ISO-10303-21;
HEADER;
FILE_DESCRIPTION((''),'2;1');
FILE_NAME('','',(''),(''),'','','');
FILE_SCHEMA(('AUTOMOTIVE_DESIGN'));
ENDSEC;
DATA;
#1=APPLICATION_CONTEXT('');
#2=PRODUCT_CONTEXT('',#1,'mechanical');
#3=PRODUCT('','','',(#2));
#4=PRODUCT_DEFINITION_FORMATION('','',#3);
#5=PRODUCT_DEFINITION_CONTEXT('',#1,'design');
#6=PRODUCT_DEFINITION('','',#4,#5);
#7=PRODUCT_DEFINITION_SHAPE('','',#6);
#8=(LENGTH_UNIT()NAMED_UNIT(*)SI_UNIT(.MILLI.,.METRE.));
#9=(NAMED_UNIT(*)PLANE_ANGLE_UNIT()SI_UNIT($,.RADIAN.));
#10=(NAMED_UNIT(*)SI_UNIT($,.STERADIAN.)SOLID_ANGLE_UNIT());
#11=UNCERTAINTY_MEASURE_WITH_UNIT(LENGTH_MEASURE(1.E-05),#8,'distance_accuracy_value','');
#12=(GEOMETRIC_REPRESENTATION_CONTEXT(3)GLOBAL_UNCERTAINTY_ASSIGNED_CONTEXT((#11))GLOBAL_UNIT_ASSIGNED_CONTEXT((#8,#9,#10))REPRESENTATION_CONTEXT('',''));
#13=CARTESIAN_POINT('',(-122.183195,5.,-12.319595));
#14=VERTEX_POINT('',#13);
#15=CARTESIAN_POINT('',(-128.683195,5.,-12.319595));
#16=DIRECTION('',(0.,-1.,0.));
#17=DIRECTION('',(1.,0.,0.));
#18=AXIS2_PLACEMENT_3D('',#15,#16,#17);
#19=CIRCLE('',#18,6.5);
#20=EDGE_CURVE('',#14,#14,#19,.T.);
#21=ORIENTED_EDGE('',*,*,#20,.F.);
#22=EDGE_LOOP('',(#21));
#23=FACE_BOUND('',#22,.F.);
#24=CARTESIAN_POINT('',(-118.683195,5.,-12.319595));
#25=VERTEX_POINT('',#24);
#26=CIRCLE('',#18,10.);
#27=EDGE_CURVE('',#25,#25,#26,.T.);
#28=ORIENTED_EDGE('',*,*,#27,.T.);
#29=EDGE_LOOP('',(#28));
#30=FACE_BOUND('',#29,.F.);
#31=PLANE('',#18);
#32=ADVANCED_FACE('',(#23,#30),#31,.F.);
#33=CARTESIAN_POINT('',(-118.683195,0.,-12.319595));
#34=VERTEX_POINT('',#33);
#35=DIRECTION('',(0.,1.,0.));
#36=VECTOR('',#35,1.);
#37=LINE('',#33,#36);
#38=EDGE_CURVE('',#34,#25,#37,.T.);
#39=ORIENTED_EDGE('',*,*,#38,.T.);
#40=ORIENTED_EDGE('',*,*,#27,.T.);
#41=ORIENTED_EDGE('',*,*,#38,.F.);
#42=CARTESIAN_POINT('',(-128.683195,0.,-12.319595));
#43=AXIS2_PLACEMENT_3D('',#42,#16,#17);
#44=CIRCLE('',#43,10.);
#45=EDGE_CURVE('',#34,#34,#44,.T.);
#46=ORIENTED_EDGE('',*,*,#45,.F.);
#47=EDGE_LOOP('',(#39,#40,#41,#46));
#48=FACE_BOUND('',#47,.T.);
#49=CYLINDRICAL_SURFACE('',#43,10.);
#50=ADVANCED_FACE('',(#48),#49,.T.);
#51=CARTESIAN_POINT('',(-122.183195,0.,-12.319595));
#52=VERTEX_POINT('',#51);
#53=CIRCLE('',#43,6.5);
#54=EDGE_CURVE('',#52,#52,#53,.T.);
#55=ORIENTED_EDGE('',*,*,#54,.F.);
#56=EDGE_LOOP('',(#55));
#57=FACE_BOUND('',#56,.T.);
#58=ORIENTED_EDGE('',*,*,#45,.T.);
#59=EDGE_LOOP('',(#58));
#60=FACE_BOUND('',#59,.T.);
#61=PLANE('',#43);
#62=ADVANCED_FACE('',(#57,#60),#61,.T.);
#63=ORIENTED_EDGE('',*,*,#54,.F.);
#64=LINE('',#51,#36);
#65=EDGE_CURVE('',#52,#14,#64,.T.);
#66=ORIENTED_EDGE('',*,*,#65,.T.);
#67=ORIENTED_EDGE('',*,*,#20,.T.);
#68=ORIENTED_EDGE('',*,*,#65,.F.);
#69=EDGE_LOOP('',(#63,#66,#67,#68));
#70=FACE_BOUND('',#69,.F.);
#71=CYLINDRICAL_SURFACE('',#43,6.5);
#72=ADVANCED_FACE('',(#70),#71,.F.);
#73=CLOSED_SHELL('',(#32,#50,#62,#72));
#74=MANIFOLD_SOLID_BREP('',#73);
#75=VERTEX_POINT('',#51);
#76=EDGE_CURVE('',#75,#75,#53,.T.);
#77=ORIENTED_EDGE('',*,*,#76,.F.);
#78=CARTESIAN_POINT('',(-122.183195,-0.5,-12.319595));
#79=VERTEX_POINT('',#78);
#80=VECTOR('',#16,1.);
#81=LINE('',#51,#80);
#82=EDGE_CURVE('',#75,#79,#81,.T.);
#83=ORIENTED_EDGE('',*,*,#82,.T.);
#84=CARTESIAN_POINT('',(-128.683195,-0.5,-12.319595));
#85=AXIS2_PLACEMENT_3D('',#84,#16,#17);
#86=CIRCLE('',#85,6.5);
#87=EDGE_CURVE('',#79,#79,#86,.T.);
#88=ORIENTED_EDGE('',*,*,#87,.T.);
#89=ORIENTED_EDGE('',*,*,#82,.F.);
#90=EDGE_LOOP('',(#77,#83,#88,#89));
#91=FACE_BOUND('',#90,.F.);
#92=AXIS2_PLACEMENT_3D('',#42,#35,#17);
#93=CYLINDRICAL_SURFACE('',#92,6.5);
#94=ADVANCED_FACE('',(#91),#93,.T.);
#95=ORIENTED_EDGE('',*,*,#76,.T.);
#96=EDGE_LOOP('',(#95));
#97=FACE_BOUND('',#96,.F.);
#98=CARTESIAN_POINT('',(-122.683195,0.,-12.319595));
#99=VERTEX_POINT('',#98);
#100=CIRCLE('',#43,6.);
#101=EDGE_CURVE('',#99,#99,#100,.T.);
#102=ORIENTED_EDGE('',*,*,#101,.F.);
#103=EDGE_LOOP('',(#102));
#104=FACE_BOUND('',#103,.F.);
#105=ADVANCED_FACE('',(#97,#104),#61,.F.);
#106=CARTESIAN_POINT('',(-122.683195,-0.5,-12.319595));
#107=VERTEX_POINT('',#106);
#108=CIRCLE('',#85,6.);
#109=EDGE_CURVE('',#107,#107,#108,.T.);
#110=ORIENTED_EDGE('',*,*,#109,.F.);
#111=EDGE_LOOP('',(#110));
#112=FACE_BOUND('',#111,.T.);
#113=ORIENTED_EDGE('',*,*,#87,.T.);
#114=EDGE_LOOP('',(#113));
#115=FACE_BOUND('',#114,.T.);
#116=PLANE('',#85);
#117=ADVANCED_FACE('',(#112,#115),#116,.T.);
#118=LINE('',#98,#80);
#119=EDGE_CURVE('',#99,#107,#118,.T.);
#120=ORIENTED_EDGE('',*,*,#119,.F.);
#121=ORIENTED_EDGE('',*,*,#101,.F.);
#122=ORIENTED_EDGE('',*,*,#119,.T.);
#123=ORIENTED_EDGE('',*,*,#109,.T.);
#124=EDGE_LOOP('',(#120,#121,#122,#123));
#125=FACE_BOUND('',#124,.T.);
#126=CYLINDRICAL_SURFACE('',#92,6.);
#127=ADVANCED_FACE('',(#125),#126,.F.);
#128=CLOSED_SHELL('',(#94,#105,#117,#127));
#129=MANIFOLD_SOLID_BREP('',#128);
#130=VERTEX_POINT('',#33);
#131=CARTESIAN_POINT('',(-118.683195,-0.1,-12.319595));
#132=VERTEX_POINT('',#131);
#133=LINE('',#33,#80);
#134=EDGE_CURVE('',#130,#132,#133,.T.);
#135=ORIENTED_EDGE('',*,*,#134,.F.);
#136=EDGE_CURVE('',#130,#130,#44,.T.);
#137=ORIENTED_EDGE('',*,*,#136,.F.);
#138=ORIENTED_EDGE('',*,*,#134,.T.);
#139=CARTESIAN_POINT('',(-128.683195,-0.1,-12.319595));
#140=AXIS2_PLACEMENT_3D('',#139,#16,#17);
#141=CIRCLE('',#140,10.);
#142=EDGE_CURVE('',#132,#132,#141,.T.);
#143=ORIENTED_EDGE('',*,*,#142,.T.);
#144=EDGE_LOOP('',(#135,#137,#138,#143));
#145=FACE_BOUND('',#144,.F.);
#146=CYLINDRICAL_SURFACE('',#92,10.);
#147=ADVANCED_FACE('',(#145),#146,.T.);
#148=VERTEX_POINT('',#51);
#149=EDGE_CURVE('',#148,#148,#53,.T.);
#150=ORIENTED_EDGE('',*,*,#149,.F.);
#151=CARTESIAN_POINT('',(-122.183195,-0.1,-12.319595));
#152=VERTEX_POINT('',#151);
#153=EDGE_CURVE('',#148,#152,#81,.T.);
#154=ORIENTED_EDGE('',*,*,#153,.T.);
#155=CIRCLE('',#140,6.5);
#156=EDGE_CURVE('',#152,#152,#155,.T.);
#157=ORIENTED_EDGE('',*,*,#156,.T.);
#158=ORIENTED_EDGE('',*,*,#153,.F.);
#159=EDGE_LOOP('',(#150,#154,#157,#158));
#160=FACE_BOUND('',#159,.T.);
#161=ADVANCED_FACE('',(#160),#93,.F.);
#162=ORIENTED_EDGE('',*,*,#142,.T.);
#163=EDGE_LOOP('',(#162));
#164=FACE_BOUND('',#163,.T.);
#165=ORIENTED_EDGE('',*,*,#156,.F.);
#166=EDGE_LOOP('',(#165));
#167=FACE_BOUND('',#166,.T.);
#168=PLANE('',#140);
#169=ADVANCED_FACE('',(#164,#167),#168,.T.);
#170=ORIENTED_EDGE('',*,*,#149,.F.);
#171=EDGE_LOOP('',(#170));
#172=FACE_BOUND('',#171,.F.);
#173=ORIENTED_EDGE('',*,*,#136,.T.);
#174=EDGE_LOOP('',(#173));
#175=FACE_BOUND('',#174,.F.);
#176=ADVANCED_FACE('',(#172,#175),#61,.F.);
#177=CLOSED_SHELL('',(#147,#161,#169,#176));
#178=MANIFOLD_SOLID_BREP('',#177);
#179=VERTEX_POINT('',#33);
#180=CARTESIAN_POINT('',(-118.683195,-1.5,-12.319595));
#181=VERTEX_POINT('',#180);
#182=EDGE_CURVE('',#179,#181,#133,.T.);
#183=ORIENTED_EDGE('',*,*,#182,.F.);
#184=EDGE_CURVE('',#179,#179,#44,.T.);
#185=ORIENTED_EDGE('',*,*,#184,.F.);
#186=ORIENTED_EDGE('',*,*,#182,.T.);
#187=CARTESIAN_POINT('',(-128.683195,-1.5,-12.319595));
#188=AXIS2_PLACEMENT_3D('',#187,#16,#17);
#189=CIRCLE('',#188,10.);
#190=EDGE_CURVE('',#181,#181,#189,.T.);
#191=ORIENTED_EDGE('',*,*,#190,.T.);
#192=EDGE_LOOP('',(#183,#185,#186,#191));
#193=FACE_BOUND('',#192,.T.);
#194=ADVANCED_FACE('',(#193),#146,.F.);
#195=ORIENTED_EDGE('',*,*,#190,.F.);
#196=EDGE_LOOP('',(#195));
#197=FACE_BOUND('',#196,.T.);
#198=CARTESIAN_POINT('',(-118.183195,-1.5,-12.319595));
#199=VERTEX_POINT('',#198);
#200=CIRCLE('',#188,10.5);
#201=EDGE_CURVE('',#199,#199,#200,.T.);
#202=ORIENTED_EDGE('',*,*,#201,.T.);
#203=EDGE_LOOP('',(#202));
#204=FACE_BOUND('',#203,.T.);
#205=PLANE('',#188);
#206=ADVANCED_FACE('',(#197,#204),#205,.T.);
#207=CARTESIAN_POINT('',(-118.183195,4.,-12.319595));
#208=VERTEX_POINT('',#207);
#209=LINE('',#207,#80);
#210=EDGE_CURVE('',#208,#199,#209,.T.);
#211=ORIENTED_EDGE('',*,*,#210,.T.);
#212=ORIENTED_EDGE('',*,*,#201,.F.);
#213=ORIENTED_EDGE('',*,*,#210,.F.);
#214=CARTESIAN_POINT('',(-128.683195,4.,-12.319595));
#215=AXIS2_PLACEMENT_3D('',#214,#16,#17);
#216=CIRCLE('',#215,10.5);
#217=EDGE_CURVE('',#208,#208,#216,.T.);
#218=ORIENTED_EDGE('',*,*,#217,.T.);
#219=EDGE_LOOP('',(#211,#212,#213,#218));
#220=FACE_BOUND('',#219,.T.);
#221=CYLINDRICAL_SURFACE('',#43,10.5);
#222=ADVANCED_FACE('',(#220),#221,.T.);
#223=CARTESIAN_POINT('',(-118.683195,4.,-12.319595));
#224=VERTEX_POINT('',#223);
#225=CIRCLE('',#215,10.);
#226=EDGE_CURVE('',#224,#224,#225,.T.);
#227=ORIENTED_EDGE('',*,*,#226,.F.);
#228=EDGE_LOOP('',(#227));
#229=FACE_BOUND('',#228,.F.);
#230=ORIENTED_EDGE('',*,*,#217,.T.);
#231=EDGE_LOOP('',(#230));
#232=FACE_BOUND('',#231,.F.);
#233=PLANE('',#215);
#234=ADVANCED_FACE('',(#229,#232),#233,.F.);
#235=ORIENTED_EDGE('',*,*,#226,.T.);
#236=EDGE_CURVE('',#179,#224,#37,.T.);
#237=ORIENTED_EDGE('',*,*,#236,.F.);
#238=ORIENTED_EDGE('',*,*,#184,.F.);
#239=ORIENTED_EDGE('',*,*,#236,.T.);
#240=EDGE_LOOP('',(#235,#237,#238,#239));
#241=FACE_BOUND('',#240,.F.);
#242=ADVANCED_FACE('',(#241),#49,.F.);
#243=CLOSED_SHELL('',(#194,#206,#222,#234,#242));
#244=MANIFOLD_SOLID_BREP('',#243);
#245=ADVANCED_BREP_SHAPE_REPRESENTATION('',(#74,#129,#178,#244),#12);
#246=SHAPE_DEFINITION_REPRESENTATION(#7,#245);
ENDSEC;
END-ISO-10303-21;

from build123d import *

# Parameters (mm, degrees)
F0_R          = 10.5
F0_R_2        = 10
F1_DEPTH      = 1.5
F1_DEPTH_BACK = 4
F0_R_3        = 6.5
F0_R_4        = 6
F2_DEPTH      = 0.5
F3_DEPTH      = 0.1
F4_DEPTH      = 5


with BuildPart() as f1:
    # F0 (on Front) → F1 (new body, two sides)
    with BuildSketch(Plane.XZ) as f1_sk:
        with Locations((-128.683195, -12.319595)):
            Circle(F0_R)
        with Locations((-128.683195, -12.319595)):
            Circle(F0_R_2, mode=Mode.SUBTRACT)
    extrude(amount=F1_DEPTH)
    extrude(f1_sk.sketch, amount=-F1_DEPTH_BACK)


with BuildPart() as f2:
    # F0 (on Front) → F2 (new body)
    with BuildSketch(Plane.XZ):
        with Locations((-128.683195, -12.319595)):
            Circle(F0_R_3)
        with Locations((-128.683195, -12.319595)):
            Circle(F0_R_4, mode=Mode.SUBTRACT)
    extrude(amount=F2_DEPTH)


with BuildPart() as f3:
    # F0 (on Front) → F3 (new body)
    with BuildSketch(Plane.XZ):
        with Locations((-128.683195, -12.319595)):
            Circle(F0_R_2)
        with Locations((-128.683195, -12.319595)):
            Circle(F0_R_3, mode=Mode.SUBTRACT)
    extrude(amount=F3_DEPTH)


with BuildPart() as f4:
    # F0 (on Front) → F4 (new body)
    with BuildSketch(Plane.XZ):
        with Locations((-128.683195, -12.319595)):
            Circle(F0_R_2)
        with Locations((-128.683195, -12.319595)):
            Circle(F0_R_3, mode=Mode.SUBTRACT)
    extrude(amount=-F4_DEPTH)


solid = Compound([f1.part, f2.part, f3.part, f4.part])
